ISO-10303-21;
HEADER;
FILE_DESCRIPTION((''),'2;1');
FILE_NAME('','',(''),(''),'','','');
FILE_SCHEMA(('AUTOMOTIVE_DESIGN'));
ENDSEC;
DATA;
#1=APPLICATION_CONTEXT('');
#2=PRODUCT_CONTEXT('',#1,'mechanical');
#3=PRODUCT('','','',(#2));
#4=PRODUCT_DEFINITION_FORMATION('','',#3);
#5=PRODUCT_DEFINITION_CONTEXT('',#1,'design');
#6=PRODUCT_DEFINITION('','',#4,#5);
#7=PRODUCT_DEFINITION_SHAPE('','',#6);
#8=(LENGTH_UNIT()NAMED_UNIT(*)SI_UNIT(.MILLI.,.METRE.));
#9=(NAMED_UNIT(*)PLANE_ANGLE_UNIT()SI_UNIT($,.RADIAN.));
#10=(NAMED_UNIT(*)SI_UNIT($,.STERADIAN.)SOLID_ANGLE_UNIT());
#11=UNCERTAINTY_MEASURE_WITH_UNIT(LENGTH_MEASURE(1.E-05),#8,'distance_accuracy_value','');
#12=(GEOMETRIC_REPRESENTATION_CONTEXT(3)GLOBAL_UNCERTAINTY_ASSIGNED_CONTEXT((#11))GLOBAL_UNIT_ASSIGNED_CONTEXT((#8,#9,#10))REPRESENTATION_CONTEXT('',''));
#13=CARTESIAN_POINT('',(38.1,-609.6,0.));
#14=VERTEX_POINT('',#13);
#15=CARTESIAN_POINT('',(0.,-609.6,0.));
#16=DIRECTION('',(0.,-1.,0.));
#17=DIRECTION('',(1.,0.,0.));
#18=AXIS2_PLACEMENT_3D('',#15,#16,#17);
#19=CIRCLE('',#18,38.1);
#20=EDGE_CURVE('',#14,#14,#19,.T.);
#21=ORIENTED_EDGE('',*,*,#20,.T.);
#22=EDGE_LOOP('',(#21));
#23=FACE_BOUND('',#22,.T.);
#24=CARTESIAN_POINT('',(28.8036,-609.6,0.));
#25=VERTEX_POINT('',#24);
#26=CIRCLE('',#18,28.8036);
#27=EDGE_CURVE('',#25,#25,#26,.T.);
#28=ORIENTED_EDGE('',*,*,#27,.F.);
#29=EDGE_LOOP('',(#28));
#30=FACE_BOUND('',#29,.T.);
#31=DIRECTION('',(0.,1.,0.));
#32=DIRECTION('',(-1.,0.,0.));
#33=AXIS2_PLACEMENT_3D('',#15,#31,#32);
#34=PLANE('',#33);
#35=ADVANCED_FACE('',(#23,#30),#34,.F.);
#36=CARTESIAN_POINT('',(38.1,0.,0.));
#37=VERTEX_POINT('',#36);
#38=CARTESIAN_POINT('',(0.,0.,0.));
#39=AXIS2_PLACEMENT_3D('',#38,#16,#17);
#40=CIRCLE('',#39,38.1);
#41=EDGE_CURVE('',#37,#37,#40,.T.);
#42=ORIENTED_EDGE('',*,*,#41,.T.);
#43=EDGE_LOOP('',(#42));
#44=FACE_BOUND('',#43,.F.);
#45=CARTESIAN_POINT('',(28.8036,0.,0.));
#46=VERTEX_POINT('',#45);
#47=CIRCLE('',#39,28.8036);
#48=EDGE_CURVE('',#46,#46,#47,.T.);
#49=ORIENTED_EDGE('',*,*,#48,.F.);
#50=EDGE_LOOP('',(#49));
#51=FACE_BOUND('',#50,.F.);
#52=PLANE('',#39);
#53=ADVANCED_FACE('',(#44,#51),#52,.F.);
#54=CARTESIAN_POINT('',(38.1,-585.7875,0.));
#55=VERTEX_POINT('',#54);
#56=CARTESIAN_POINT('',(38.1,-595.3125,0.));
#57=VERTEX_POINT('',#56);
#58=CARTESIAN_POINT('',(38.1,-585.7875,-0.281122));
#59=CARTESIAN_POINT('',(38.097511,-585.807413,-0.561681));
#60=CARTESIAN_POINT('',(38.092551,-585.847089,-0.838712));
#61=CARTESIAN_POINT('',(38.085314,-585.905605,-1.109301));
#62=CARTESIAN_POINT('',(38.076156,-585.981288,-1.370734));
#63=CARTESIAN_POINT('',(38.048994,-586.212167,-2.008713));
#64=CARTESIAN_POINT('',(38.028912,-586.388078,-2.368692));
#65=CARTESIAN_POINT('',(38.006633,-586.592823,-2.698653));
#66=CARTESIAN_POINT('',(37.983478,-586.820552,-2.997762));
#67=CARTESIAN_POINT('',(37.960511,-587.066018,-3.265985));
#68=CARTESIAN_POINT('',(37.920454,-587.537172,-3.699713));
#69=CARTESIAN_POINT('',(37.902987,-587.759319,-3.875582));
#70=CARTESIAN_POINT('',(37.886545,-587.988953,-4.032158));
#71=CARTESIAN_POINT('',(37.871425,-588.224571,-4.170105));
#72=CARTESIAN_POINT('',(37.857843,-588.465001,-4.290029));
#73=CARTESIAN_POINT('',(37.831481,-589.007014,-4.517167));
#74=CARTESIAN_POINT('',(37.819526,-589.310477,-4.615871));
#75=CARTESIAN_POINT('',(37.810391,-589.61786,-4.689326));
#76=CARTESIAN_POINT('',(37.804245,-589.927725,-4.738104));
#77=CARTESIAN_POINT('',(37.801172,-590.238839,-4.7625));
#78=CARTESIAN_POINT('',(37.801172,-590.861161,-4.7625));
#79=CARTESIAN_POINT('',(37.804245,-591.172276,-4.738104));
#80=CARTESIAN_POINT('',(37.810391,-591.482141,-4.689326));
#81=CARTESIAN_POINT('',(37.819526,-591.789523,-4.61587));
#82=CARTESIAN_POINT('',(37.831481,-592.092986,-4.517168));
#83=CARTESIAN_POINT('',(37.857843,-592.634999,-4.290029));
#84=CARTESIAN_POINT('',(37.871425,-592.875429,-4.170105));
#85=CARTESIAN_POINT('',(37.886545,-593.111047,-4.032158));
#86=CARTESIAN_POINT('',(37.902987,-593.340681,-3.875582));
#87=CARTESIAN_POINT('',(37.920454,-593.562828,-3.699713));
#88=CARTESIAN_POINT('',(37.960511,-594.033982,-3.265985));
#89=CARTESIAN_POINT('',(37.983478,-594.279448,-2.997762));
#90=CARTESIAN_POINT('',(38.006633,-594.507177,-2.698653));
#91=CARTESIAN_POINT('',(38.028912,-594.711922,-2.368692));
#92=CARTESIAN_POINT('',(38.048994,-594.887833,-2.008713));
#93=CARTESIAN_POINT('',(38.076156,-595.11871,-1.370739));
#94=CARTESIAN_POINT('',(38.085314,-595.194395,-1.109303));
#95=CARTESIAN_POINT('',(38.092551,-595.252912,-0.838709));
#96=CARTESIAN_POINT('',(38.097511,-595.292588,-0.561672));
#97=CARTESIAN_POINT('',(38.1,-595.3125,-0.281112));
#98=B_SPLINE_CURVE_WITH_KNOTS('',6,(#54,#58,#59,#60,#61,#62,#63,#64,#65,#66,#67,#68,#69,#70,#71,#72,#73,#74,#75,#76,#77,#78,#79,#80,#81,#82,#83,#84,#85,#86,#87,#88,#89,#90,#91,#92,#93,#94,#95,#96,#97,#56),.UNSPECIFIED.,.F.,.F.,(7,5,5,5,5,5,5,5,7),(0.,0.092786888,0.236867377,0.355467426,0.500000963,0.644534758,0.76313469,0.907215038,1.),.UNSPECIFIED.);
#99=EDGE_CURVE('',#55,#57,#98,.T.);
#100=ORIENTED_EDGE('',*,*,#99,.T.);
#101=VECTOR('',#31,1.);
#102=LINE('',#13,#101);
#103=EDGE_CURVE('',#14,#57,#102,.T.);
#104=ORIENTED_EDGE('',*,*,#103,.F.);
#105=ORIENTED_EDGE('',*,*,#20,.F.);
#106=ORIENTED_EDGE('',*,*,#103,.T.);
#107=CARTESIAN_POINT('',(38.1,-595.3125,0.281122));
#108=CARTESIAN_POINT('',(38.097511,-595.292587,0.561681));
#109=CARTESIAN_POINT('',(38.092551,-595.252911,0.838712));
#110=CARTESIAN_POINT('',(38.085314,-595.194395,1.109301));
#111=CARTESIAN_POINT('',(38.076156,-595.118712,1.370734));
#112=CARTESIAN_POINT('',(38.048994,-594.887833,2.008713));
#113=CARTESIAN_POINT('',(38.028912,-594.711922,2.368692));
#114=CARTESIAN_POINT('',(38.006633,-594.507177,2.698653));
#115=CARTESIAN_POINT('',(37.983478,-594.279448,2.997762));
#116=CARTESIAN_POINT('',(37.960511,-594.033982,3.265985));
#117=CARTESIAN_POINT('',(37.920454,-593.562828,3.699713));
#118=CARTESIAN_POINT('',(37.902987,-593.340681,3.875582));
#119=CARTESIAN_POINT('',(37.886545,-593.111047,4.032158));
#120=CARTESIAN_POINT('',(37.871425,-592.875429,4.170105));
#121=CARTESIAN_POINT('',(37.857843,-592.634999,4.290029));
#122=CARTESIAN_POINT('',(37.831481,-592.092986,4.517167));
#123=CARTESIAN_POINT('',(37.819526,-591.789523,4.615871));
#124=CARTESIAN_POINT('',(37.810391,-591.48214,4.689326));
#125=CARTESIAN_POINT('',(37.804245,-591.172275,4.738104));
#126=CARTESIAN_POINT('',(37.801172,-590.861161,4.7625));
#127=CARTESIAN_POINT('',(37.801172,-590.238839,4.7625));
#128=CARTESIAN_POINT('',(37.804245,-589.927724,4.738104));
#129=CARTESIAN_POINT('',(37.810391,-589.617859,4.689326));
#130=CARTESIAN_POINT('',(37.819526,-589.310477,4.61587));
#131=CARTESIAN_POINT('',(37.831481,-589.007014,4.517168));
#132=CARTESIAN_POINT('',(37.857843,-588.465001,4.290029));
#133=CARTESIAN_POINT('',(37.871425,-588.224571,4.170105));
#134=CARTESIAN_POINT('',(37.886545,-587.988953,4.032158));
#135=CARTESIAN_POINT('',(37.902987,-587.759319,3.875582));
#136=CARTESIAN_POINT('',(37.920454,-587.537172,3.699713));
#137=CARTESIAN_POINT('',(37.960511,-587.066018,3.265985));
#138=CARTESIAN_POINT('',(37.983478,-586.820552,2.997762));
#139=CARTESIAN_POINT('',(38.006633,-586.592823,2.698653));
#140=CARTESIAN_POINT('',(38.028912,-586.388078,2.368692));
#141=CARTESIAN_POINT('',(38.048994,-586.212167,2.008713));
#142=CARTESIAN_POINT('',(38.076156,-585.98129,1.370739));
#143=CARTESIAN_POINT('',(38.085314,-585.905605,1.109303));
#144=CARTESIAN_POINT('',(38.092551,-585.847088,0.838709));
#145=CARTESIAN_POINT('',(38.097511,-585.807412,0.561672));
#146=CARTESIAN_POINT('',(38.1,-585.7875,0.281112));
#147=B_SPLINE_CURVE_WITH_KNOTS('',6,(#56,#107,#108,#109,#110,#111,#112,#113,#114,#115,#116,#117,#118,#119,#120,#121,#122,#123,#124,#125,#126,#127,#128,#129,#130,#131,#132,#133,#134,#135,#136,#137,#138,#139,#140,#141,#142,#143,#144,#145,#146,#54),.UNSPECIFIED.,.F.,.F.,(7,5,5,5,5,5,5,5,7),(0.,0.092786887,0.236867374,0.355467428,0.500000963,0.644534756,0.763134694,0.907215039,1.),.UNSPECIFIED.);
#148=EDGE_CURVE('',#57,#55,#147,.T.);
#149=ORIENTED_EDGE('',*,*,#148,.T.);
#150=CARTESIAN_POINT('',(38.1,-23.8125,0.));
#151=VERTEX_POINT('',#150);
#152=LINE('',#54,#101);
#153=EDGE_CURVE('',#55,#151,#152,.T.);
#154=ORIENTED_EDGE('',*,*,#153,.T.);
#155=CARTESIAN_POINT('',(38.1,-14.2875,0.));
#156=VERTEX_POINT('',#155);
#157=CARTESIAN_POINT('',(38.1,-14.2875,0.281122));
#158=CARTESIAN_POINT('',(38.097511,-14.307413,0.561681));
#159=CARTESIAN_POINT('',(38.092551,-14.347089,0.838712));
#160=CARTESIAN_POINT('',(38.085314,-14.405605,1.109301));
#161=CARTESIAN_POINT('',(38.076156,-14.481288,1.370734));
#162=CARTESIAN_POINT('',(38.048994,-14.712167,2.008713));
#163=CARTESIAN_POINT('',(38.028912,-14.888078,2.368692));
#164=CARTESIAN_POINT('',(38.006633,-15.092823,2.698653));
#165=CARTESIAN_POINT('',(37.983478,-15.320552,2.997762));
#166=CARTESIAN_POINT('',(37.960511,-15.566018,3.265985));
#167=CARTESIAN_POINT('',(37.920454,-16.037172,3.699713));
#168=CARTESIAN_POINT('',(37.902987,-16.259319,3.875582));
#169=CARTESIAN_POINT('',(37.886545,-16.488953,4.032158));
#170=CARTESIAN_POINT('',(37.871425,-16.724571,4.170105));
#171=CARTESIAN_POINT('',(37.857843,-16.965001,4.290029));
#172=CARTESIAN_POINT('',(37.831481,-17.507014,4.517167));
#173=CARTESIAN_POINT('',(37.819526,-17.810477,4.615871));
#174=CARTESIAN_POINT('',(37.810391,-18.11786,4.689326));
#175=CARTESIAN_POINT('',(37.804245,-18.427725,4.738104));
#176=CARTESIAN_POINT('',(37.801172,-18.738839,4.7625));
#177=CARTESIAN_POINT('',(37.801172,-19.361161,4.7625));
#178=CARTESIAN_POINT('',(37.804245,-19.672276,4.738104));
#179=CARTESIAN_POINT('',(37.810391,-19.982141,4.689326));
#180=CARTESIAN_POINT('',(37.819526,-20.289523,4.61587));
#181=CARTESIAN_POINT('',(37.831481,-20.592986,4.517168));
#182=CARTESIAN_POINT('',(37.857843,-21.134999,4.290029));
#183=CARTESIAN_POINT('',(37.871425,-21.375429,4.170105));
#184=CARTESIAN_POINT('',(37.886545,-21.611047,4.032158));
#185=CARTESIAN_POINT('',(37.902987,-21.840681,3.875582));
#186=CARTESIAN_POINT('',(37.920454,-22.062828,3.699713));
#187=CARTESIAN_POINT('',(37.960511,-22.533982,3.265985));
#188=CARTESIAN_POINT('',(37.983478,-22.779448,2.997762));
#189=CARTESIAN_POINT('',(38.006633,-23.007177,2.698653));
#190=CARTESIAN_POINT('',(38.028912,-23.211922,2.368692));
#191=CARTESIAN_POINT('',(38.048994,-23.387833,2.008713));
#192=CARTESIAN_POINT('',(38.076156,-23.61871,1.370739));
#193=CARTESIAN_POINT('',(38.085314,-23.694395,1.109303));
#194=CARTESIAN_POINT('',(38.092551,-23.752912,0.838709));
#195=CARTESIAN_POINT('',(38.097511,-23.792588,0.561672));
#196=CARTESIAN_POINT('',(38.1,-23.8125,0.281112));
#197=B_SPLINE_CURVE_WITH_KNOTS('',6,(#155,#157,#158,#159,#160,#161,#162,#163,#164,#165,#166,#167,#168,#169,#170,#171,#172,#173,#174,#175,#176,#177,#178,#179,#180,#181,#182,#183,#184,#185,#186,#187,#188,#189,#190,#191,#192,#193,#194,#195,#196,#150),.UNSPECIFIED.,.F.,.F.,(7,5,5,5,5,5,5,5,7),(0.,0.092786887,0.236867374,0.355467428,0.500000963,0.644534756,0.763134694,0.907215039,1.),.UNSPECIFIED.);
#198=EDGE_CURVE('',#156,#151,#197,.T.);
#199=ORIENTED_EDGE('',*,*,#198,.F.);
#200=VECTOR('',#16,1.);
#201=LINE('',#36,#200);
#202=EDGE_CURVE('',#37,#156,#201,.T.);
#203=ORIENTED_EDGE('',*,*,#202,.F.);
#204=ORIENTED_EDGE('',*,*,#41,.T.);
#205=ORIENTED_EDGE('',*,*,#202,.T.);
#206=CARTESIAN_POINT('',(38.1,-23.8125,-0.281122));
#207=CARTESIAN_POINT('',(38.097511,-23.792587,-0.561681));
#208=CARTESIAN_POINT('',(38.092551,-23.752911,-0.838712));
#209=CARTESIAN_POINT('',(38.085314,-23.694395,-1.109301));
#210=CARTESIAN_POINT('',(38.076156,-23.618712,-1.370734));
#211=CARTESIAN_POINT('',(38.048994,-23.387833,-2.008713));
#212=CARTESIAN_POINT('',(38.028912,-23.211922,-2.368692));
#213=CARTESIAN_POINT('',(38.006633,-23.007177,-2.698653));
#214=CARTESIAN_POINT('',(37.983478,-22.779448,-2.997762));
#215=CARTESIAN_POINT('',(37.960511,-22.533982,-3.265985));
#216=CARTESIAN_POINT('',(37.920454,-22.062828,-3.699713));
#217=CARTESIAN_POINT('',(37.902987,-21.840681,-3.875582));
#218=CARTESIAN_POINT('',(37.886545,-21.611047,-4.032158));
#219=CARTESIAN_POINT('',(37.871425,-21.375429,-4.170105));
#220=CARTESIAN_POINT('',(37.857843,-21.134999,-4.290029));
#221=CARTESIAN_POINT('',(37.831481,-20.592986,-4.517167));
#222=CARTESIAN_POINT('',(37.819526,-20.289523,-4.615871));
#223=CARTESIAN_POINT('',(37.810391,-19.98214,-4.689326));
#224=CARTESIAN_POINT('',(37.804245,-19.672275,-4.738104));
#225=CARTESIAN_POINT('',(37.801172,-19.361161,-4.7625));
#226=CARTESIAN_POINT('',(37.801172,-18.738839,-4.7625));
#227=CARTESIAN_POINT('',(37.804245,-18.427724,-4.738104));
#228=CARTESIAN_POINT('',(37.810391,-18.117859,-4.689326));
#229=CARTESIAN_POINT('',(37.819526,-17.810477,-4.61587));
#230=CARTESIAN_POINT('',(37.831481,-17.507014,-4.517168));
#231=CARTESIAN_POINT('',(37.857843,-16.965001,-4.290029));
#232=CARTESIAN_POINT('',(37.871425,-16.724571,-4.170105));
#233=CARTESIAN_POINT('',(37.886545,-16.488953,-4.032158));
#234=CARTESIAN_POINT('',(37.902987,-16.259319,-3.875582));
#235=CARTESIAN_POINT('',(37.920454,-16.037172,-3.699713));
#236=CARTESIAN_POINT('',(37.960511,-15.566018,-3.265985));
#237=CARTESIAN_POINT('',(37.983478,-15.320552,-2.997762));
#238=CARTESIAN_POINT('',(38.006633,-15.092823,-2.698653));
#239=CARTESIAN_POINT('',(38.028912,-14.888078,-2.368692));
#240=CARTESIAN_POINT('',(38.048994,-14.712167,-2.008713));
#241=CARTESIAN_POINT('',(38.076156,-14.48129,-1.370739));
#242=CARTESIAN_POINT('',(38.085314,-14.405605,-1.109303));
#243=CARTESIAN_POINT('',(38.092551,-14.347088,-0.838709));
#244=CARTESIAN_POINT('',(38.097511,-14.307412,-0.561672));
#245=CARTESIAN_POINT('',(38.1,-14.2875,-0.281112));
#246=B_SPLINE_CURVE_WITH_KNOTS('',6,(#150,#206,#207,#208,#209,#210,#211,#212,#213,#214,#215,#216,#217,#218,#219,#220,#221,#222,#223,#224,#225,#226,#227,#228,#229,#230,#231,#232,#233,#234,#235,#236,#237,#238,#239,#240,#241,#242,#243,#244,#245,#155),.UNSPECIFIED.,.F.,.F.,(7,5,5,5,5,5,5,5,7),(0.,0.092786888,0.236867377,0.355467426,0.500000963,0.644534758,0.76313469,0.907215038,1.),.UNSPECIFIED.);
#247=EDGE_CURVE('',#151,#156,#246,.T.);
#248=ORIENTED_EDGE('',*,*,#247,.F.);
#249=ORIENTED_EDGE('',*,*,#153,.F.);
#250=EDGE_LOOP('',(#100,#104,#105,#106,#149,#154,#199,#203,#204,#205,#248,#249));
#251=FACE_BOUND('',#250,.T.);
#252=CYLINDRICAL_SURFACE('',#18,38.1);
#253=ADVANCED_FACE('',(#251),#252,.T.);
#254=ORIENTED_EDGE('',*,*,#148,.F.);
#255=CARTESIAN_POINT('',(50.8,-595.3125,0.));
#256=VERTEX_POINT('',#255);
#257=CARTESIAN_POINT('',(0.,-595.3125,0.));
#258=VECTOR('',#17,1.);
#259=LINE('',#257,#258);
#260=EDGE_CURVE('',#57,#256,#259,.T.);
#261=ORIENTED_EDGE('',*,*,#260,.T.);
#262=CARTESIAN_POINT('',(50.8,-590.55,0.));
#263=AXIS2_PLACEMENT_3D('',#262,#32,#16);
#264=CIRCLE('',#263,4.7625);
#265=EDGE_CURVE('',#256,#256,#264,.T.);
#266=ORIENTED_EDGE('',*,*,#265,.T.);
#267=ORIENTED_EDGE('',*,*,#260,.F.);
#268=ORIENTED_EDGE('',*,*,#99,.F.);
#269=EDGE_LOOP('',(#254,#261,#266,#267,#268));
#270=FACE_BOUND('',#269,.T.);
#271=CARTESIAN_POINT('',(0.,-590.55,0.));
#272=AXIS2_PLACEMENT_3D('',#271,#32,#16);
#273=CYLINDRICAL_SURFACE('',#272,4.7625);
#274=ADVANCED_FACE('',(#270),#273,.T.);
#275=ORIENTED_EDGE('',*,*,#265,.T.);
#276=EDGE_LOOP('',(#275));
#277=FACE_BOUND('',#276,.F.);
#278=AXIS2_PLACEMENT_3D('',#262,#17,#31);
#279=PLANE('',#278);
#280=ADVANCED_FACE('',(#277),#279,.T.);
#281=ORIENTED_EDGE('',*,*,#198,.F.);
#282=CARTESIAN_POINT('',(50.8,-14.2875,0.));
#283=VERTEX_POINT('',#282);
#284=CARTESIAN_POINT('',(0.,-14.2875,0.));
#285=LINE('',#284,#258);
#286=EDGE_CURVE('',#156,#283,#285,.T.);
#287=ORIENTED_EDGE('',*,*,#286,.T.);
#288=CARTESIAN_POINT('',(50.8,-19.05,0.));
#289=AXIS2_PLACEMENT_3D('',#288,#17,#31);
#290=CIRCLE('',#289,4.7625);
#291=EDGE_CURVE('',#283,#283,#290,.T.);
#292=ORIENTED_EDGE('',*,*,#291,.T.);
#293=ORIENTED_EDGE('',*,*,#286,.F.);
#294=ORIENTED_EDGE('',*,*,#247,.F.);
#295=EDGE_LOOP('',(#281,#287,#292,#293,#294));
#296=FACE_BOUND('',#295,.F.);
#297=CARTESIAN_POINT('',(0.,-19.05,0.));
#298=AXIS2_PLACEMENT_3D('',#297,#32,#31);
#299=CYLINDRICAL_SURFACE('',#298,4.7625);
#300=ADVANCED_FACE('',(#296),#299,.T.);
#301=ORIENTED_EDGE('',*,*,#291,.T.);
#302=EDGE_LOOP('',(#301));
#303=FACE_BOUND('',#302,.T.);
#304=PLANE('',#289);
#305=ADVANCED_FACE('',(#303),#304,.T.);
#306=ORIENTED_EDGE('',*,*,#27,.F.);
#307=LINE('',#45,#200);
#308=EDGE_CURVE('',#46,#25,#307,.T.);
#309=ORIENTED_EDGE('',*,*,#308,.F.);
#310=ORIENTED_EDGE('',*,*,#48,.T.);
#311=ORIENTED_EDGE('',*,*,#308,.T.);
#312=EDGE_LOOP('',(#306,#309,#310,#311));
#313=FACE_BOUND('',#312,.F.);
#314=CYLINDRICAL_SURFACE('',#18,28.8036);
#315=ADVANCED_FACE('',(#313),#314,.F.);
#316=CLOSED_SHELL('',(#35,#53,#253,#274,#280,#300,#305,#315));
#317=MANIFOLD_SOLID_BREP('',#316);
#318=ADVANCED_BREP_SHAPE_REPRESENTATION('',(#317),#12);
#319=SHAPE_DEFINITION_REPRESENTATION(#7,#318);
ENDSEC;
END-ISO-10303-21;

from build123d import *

# Parameters (mm, degrees)
F1_R     = 4.7625
F2_DEPTH = 50.8
F0_R     = 38.1
F0_R_2   = 28.8036
F3_DEPTH = 304.8
F4_DEPTH = 304.8


with BuildPart() as f2:
    # F1 (on Right) → F2 (new body)
    with BuildSketch(Plane.YZ):
        with Locations((-19.05, 0)):
            Circle(F1_R)
    extrude(amount=F2_DEPTH)

    # F0 (on Front) → F3 (join)
    with BuildSketch(Plane.XZ):
        Circle(F0_R)
        Circle(F0_R_2, mode=Mode.SUBTRACT)
        Circle(F0_R_2)
    extrude(amount=F3_DEPTH)

    # F0 (on Front) → F4 (cut)
    with BuildSketch(Plane.XZ):
        Circle(F0_R_2)
    extrude(amount=F4_DEPTH, mode=Mode.SUBTRACT)

    # F5: F2 across face


with BuildPart() as f2_1:
    add(f2.part)
    add(f2.part.mirror(Plane.XZ.offset(304.8)))


solid = f2_1.part
